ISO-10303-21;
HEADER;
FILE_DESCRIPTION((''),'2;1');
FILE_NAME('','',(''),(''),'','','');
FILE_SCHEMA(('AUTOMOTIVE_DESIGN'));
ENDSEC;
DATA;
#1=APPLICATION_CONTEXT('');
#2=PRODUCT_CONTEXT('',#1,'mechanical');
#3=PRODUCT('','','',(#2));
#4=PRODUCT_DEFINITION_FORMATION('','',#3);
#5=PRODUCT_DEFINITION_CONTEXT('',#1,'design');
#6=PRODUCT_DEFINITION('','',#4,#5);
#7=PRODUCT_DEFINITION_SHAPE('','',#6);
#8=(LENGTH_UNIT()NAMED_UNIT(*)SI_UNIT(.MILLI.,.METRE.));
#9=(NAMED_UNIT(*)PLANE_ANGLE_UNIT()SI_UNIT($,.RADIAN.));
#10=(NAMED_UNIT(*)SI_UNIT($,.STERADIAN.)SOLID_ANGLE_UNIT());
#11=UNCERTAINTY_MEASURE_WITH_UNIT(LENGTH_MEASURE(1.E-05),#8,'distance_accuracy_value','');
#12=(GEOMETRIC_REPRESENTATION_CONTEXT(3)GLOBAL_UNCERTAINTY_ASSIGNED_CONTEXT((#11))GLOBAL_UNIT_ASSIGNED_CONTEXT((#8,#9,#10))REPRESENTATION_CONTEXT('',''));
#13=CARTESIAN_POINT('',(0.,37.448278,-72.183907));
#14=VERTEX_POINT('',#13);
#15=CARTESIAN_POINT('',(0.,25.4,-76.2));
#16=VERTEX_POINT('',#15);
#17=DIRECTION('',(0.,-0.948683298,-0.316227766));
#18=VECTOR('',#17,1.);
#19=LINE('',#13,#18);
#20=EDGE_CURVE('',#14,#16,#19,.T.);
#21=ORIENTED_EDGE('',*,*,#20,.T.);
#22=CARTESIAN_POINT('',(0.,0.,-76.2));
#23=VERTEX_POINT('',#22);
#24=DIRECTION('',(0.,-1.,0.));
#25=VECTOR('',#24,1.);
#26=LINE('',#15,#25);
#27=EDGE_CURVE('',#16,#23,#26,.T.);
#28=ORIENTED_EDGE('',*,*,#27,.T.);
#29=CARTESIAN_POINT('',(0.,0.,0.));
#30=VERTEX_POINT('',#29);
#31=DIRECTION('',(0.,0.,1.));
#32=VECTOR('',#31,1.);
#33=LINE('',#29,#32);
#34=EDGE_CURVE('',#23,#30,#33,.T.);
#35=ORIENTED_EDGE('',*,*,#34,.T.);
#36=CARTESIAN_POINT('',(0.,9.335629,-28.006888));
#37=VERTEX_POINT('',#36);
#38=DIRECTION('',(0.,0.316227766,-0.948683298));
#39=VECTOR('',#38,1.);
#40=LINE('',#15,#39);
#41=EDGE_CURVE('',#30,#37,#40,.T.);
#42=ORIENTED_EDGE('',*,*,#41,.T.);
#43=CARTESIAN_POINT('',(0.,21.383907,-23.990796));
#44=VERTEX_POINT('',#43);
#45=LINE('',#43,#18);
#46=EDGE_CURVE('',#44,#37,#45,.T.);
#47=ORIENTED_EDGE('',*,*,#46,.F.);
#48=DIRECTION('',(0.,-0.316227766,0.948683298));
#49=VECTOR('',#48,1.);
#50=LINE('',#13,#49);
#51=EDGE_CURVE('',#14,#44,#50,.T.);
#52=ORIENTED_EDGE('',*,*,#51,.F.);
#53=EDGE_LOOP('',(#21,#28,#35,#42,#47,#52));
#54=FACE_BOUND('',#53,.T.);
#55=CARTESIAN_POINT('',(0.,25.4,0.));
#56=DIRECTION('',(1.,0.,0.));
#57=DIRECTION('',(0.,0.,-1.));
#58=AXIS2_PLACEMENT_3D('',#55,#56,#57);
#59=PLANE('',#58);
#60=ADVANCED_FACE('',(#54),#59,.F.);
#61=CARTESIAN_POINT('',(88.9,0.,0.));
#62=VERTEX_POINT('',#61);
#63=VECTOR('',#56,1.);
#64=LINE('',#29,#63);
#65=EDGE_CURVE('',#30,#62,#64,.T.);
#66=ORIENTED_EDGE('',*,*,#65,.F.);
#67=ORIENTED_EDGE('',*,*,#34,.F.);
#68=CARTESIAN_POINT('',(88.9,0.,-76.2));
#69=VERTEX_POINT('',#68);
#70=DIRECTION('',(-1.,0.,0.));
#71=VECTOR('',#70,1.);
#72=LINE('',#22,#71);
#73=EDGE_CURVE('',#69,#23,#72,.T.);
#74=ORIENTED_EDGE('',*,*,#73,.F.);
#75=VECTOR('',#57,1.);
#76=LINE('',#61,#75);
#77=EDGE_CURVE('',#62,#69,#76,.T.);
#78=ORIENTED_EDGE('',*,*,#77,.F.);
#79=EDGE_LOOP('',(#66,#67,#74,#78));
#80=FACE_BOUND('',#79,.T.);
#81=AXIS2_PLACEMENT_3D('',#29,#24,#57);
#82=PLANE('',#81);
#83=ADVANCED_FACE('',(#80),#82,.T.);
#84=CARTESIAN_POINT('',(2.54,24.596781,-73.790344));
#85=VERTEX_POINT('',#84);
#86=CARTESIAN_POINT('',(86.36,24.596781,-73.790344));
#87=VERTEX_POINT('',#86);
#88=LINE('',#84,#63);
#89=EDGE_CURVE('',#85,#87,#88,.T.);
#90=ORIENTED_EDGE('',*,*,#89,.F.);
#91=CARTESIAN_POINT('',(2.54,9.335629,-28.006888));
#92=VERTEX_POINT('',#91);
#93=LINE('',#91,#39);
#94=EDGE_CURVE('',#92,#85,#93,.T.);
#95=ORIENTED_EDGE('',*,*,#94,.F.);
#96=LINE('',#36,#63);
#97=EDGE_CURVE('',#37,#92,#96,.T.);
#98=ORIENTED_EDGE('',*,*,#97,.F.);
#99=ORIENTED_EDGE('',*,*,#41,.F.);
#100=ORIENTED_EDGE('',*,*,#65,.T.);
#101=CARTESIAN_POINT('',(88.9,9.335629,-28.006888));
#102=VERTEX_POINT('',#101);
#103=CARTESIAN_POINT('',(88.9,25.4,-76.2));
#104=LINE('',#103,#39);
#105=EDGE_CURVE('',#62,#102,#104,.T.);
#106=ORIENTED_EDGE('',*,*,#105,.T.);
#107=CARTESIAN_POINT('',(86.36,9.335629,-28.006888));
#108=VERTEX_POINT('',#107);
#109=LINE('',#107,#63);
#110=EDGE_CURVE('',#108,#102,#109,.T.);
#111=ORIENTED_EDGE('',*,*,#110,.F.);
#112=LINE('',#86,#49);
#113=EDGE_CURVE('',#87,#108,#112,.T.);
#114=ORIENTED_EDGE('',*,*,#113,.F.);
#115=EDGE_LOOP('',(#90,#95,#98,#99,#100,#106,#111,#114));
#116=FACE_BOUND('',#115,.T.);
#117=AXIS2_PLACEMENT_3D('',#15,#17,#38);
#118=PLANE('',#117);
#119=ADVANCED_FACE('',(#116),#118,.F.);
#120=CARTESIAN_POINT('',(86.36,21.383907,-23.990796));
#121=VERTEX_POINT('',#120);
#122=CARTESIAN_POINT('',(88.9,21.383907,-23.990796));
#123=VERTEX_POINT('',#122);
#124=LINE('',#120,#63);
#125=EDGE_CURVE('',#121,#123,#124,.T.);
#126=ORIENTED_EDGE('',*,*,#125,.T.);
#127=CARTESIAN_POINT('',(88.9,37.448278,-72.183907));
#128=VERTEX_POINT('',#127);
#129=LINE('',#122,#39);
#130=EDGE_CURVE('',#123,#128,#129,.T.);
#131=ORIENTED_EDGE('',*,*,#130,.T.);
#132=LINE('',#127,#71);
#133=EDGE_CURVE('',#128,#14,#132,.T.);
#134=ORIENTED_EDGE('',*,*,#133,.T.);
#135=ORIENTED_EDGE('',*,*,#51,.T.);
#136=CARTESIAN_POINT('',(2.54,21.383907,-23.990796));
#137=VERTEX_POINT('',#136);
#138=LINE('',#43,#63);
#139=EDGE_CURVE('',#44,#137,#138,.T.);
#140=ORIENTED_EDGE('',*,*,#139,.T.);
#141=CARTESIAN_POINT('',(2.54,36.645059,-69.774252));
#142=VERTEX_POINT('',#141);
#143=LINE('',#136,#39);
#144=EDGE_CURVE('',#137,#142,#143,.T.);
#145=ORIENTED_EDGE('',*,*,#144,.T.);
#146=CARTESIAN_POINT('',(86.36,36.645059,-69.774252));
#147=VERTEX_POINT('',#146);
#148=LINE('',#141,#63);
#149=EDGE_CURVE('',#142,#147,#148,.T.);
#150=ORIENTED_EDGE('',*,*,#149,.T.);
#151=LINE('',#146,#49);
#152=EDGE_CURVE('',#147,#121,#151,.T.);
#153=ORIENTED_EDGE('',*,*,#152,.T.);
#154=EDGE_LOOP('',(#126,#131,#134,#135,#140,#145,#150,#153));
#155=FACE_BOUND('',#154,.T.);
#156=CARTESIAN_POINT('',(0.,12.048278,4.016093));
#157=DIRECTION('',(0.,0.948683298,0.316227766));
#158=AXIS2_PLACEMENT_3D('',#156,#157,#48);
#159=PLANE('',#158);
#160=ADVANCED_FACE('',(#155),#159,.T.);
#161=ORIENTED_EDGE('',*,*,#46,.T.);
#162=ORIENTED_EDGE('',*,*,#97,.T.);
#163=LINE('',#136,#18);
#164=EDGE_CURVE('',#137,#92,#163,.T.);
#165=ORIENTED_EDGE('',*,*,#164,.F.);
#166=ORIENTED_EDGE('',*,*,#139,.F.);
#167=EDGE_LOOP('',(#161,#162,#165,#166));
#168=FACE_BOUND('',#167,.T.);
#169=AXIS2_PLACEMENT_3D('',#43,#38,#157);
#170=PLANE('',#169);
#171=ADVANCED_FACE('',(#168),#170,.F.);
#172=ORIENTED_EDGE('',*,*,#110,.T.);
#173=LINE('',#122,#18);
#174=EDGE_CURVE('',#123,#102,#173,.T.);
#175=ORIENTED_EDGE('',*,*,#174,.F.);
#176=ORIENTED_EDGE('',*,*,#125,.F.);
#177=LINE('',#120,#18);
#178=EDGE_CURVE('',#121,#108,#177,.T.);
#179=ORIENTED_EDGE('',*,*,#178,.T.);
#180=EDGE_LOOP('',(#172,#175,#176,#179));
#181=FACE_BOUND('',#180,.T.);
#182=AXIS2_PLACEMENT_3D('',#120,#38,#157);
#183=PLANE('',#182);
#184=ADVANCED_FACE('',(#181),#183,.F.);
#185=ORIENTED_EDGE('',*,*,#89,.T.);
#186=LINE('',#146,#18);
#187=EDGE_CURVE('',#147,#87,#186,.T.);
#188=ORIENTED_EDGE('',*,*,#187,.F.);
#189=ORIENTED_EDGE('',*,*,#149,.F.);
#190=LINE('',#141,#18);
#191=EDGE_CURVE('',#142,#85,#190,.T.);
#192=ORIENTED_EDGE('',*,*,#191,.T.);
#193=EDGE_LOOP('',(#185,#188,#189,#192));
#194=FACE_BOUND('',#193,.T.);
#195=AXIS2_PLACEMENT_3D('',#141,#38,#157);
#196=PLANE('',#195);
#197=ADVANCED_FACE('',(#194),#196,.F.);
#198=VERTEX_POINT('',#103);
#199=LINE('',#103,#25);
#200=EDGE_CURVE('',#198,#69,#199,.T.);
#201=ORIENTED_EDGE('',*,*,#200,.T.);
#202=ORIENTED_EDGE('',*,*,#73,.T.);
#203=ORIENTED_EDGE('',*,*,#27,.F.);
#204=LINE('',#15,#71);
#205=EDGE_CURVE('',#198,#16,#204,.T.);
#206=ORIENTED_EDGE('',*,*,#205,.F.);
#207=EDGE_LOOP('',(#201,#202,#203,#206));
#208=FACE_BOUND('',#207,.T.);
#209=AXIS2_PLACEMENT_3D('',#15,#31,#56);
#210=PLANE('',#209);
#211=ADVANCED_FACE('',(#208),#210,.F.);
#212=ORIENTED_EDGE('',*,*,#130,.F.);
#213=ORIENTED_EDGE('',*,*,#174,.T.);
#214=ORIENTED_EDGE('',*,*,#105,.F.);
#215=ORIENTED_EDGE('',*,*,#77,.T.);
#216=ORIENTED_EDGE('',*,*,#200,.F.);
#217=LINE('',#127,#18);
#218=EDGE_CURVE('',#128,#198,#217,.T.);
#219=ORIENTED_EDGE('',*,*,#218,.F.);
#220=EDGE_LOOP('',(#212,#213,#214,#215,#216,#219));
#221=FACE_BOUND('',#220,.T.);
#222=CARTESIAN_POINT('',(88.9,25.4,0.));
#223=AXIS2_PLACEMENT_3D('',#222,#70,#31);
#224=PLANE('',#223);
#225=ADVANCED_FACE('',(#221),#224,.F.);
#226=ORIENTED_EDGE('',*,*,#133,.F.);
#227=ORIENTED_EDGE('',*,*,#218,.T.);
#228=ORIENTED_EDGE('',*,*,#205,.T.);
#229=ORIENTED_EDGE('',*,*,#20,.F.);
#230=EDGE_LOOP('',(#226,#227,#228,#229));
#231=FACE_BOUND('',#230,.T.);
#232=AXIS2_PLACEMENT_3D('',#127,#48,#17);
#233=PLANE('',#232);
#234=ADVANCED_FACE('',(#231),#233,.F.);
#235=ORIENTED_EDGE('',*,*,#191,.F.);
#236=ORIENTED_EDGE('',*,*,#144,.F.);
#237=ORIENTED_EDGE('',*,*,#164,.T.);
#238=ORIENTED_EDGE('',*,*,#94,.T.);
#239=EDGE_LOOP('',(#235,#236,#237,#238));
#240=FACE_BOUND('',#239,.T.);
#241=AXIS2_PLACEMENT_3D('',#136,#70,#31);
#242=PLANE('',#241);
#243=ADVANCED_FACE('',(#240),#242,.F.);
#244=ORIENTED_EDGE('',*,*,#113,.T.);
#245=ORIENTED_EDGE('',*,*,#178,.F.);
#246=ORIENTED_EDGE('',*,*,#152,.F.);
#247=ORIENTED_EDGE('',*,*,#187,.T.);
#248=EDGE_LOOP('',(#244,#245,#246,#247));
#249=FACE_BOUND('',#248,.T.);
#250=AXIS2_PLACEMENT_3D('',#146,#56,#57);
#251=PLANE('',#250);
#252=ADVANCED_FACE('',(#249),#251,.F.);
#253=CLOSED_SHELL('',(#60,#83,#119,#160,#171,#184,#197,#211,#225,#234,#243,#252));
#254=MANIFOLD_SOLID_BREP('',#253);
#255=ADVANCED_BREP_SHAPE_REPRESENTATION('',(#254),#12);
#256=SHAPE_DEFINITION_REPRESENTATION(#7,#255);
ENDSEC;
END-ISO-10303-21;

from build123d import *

# Parameters (mm, degrees)
SKETCH1_W           = 88.9
SKETCH1_H           = 76.2
BOSS_EXTRUDE1_DEPTH = 25.4
CUT_EXTRUDE1_DEPTH  = 120.811560377
BOSS_EXTRUDE2_DEPTH = 12.7


with BuildPart() as part:
    # Sketch1 → Boss-Extrude1 (new body)
    with BuildSketch(Plane(origin=(0, 0, 0), x_dir=(1, 0, 0), z_dir=(0, 1, 0))):
        with Locations((44.45, 38.1)):
            Rectangle(SKETCH1_W, SKETCH1_H)
    extrude(amount=BOSS_EXTRUDE1_DEPTH)

    # Sketch2 → Cut-Extrude1 (cut, through all)
    with BuildSketch(Plane(origin=(88.9, 0, 0), x_dir=(0, 0, -1), z_dir=(1, 0, 0))):
        Polygon((76.2, 25.4), (0, 0), (0, 25.4), align=None)
    extrude(amount=-CUT_EXTRUDE1_DEPTH, mode=Mode.SUBTRACT)

    # Sketch3 → Boss-Extrude2 (add)
    with BuildSketch(Plane(origin=(0, 0, 0), x_dir=(1, 0, 0), z_dir=(0, 0.9486832980505139, 0.3162277660168379))):
        Polygon((0, 29.521852568), (2.54, 29.521852568), (2.54, 77.781852568), (86.36, 77.781852568), (86.36, 29.521852568), (88.9, 29.521852568), (88.9, 80.321852568), (0, 80.321852568), align=None)
    extrude(amount=BOSS_EXTRUDE2_DEPTH)


solid = part.part
